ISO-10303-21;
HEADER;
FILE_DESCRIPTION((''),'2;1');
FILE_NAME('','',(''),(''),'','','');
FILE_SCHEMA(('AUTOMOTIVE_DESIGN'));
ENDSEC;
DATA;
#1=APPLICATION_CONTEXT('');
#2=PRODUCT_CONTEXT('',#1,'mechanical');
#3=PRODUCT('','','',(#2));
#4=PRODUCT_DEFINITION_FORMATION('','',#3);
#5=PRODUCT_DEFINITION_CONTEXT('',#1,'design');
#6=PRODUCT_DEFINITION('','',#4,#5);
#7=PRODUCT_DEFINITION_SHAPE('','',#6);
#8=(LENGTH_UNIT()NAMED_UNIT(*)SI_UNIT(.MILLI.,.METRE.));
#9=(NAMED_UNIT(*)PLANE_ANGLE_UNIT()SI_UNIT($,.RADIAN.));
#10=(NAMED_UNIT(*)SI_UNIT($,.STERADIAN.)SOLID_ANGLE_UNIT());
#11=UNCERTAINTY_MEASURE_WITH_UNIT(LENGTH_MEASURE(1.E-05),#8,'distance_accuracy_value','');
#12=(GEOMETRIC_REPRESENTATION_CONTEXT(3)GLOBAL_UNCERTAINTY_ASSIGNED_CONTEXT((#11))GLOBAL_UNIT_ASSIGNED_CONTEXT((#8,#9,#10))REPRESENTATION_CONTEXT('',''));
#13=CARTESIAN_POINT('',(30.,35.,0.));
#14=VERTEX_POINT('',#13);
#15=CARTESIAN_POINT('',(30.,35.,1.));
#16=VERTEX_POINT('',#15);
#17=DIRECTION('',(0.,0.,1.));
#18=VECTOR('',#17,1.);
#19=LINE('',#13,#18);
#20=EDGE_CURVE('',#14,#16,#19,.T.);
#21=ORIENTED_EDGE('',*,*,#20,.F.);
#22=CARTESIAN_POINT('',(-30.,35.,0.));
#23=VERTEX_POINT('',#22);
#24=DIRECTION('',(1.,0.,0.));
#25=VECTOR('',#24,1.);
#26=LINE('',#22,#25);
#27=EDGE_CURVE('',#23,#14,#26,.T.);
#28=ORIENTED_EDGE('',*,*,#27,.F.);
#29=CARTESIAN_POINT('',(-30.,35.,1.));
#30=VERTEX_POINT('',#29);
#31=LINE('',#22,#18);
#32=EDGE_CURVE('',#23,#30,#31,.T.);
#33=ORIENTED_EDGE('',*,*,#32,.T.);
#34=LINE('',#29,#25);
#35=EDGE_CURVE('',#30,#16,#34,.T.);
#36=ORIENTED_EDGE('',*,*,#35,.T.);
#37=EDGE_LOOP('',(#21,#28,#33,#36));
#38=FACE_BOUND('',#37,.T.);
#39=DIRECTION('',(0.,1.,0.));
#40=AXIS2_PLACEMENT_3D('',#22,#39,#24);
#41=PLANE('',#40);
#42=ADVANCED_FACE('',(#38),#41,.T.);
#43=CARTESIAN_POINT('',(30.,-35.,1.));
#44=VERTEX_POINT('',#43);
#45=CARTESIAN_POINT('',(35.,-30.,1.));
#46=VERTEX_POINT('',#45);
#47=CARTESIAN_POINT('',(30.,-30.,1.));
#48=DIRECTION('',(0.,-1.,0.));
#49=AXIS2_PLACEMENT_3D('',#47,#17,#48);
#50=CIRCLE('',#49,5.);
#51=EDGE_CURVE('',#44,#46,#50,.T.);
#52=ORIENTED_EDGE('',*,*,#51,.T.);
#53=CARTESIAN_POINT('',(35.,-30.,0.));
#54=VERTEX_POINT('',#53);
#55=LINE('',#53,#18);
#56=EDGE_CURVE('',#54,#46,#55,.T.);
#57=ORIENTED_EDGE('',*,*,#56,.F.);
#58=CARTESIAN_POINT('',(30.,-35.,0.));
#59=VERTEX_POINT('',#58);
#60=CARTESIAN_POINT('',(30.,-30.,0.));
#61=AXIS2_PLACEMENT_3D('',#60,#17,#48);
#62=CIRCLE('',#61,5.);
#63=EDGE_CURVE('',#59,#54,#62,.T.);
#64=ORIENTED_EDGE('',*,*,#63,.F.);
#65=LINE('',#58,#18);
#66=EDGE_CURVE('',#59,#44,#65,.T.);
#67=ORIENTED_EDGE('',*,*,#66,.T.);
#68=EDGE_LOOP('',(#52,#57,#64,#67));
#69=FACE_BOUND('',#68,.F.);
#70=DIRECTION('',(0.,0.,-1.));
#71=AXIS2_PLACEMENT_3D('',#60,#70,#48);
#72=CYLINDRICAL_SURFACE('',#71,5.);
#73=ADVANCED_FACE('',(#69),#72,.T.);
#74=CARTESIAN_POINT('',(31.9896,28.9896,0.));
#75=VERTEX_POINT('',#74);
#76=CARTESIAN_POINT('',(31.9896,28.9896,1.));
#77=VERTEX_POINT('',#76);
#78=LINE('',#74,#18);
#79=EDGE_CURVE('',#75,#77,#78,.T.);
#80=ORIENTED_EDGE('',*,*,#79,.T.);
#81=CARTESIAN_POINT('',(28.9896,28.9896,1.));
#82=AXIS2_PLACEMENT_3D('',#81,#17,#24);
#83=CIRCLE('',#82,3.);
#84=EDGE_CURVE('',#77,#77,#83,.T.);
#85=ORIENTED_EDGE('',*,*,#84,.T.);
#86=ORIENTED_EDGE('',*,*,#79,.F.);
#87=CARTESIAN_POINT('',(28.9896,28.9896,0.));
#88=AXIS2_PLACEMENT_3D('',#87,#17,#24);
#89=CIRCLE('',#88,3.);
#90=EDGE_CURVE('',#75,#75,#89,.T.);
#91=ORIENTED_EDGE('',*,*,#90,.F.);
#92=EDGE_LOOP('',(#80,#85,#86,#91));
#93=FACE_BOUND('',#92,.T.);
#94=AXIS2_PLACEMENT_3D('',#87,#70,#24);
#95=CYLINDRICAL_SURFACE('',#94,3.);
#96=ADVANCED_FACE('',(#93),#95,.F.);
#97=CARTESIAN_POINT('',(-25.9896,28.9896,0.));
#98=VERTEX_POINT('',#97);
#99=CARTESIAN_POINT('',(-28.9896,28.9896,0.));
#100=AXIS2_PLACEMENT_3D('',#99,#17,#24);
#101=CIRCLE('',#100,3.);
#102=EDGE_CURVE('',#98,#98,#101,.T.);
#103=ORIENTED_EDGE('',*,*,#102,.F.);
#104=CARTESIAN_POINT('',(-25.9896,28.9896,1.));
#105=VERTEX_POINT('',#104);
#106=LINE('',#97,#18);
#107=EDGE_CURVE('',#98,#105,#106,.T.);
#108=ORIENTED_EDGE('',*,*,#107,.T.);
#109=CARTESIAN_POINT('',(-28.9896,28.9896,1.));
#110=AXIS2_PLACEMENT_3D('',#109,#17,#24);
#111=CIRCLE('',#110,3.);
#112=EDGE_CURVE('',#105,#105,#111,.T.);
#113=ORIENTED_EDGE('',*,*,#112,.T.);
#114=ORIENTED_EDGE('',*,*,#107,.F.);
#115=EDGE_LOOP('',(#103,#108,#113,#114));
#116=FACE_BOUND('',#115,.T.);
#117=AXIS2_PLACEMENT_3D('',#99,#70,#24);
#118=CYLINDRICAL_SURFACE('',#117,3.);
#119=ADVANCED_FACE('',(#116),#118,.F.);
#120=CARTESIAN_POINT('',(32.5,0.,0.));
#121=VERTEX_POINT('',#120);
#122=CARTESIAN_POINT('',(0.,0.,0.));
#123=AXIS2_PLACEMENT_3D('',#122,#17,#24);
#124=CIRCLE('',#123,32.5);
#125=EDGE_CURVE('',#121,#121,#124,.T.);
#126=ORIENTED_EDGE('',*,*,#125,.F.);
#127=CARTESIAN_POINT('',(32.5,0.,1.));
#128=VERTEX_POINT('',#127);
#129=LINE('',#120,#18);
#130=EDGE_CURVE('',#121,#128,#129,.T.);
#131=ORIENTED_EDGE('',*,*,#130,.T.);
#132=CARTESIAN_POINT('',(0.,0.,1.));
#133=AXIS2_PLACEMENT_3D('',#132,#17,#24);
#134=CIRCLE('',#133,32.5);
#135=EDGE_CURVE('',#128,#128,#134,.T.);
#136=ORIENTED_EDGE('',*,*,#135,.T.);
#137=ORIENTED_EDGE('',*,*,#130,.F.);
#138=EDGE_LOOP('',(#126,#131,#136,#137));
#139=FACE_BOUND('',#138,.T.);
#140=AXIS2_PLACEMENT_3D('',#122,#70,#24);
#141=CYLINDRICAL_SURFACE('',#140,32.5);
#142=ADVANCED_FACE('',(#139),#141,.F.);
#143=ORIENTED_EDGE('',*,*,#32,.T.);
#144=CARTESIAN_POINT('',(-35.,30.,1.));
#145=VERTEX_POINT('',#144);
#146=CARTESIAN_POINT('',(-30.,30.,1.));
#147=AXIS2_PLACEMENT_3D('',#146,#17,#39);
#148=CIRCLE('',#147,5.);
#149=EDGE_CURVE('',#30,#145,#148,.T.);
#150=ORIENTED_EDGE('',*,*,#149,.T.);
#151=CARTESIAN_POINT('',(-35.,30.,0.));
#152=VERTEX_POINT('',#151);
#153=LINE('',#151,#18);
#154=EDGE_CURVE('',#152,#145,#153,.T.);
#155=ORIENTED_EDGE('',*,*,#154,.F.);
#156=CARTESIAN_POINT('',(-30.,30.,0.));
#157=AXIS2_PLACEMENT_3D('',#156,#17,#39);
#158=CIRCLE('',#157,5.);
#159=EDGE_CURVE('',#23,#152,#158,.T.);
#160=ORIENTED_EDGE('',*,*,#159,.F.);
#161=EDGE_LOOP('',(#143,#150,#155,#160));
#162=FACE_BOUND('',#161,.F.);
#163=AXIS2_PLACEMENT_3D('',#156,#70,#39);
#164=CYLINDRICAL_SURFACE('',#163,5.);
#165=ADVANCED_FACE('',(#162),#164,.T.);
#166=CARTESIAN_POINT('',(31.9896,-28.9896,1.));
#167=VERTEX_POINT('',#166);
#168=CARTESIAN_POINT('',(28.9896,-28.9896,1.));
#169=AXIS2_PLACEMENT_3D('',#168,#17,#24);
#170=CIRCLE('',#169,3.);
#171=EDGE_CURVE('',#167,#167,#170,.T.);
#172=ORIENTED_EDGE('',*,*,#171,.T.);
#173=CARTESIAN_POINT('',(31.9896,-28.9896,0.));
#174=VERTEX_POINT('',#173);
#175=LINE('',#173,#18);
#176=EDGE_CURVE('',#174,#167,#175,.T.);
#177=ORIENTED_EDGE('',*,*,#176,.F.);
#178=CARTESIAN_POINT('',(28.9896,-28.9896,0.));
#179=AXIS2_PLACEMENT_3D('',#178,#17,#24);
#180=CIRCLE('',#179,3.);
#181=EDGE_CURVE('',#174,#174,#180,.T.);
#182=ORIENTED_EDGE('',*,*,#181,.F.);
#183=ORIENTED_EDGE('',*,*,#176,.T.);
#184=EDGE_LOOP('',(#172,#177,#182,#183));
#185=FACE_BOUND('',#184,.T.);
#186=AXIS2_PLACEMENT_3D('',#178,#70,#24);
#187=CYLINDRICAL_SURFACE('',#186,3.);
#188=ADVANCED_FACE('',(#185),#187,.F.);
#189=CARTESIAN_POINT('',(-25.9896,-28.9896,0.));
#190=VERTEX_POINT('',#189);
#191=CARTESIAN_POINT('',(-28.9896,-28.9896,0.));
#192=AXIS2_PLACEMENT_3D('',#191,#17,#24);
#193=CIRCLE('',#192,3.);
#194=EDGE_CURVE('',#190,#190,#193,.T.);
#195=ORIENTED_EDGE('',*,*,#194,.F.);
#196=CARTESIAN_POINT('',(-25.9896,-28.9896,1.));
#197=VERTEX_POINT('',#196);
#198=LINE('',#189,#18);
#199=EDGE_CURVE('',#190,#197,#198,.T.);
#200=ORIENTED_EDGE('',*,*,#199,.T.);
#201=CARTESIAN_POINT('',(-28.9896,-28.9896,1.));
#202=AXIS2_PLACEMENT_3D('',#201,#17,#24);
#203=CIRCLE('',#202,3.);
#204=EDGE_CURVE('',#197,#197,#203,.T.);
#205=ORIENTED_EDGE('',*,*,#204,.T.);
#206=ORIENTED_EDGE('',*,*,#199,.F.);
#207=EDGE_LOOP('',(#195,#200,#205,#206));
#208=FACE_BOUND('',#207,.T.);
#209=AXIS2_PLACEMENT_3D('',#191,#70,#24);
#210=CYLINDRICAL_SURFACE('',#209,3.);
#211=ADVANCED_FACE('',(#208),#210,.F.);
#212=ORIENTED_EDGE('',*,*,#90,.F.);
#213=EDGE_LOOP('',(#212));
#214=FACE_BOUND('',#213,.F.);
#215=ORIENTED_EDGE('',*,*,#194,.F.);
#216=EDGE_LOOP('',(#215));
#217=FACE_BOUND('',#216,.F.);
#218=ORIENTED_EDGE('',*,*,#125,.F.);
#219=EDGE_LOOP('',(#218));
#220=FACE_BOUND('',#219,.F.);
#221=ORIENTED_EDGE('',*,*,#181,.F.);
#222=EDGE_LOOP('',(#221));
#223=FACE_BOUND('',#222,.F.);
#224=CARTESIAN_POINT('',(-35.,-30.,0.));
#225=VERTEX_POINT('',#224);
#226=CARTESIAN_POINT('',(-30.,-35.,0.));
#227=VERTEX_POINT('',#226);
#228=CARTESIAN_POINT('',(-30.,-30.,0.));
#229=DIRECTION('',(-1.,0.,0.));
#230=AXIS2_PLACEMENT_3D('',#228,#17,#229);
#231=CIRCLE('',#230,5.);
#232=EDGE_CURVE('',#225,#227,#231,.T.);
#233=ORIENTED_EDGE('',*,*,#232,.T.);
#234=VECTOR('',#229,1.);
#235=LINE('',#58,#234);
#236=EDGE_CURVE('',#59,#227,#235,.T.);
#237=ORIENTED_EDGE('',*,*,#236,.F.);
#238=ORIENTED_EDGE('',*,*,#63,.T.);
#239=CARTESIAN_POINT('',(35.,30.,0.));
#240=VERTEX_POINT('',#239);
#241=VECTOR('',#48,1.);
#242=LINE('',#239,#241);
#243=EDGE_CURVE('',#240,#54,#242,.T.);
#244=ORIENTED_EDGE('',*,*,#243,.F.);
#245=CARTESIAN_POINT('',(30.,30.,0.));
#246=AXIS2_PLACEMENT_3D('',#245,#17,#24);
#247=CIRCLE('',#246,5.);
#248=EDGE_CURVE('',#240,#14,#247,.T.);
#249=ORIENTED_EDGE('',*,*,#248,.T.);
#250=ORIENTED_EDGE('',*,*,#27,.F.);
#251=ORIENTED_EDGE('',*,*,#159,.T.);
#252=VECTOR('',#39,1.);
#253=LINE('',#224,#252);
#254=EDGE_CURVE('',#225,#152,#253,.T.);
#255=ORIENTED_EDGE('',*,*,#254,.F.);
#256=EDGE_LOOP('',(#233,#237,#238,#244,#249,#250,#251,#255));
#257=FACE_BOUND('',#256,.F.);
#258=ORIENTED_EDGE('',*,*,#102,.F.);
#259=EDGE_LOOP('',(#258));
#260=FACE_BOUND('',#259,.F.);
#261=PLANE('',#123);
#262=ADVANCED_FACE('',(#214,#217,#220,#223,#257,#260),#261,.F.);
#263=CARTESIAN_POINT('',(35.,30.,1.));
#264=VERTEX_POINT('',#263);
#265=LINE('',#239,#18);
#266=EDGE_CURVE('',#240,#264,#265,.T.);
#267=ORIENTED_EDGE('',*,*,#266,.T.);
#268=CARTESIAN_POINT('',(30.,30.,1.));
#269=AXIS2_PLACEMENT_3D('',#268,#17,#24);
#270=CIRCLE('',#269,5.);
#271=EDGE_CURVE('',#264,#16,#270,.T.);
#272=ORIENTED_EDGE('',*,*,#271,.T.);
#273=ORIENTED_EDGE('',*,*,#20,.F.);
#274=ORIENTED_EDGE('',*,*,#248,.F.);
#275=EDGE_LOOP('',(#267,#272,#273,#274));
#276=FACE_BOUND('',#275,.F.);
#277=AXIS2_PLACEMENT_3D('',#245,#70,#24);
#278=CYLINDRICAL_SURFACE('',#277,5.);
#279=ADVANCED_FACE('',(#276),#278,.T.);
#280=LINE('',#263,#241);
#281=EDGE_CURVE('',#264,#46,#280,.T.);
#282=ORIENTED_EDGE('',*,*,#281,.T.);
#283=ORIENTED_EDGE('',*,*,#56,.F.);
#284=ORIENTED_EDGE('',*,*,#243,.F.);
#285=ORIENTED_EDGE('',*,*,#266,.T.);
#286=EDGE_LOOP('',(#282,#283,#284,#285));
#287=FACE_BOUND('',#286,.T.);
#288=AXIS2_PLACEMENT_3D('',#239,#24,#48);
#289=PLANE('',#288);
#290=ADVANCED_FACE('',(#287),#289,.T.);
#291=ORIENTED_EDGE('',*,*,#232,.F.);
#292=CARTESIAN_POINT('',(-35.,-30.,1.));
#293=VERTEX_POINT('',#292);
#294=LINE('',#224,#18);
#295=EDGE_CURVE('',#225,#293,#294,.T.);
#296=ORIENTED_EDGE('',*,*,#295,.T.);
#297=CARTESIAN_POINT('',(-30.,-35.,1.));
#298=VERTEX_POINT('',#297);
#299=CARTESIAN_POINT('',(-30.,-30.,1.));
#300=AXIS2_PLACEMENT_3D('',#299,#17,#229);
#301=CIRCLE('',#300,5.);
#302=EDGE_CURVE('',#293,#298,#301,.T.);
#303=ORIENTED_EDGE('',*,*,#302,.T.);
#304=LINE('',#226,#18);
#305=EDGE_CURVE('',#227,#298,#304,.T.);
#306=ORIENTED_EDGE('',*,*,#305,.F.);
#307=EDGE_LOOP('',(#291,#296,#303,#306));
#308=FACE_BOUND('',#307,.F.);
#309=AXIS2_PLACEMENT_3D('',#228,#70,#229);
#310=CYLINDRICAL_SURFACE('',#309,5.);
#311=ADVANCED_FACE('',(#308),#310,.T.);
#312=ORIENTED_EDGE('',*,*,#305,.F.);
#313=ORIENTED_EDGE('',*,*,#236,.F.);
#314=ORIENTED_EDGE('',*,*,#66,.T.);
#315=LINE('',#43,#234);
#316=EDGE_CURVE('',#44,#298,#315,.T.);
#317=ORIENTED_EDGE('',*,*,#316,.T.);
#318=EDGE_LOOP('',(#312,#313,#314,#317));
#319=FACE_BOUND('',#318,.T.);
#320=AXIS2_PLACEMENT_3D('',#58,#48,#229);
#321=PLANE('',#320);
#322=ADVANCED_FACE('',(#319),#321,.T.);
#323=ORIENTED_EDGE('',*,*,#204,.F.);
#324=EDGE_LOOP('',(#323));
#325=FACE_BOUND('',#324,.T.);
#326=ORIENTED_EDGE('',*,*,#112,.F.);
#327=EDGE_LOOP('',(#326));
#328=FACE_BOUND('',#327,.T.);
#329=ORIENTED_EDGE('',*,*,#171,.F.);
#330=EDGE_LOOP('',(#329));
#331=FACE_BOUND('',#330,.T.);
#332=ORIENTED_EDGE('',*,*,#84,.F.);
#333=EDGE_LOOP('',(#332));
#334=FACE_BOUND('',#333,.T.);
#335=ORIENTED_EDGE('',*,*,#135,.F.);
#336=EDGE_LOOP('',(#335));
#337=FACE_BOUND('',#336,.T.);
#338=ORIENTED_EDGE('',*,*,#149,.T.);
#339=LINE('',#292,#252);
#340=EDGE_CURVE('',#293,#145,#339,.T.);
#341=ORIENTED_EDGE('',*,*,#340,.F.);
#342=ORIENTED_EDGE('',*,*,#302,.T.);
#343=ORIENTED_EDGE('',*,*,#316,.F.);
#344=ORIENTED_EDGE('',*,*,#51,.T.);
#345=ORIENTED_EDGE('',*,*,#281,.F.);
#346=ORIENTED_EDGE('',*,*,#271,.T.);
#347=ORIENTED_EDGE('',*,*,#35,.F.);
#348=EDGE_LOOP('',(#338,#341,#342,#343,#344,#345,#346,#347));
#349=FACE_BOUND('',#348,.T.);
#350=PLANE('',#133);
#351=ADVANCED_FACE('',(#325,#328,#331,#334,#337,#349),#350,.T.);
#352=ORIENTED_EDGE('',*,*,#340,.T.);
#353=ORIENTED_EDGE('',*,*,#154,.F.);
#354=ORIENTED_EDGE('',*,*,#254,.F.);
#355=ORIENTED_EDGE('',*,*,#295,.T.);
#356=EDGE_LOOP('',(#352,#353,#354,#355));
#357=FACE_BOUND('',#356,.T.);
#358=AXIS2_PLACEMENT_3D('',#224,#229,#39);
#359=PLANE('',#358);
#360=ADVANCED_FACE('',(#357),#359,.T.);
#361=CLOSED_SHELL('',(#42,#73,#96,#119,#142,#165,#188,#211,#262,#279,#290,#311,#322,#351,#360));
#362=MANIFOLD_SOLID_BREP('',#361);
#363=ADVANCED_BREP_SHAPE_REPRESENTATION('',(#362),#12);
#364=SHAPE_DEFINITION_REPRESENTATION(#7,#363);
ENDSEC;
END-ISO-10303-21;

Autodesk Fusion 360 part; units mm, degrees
sketch "Sketch1" plane through (0, 0, 0) normal (0, 0, 1) x (1, 0, 0)
  line L0 (30, -35) -> (-30, -35)
  line L1 (-35, -30) -> (-35, 30)
  line L2 (-30, 35) -> (30, 35)
  line L3 (35, 30) -> (35, -30)
  line L4 (35, -35) -> (-35, 35) construction
  line L5 (-35, -35) -> (35, 35) construction
  circle A0 centre (0, 0) radius 32.5
  circle A1 centre (-28.9896, 28.9896) radius 3
  arc A2 (-30, 35) -> (-35, 30) centre (-30, 30) ccw
  arc A3 (35, 30) -> (30, 35) centre (30, 30) ccw
  arc A4 (30, -35) -> (35, -30) centre (30, -30) ccw
  arc A5 (-35, -30) -> (-30, -35) centre (-30, -30) ccw
  line L6 (0, 35) -> (0, -35) construction
  line L7 (-35, 0) -> (35, 0) construction
  circle A6 centre (28.9896, 28.9896) radius 3
  circle A7 centre (-28.9896, -28.9896) radius 3
  circle A8 centre (28.9896, -28.9896) radius 3
  dimension "d1" = 70
  dimension "d2" = 70
  dimension "d3" = 65
  dimension "d4" = 6
  dimension "d5" = 8.5
  dimension "d6" = 5
  dimension "d7" = 5
  dimension "d8" = 5
  dimension "d9" = 5
extrude "Extrude1" add sketch "Sketch1" along normal blind 1
